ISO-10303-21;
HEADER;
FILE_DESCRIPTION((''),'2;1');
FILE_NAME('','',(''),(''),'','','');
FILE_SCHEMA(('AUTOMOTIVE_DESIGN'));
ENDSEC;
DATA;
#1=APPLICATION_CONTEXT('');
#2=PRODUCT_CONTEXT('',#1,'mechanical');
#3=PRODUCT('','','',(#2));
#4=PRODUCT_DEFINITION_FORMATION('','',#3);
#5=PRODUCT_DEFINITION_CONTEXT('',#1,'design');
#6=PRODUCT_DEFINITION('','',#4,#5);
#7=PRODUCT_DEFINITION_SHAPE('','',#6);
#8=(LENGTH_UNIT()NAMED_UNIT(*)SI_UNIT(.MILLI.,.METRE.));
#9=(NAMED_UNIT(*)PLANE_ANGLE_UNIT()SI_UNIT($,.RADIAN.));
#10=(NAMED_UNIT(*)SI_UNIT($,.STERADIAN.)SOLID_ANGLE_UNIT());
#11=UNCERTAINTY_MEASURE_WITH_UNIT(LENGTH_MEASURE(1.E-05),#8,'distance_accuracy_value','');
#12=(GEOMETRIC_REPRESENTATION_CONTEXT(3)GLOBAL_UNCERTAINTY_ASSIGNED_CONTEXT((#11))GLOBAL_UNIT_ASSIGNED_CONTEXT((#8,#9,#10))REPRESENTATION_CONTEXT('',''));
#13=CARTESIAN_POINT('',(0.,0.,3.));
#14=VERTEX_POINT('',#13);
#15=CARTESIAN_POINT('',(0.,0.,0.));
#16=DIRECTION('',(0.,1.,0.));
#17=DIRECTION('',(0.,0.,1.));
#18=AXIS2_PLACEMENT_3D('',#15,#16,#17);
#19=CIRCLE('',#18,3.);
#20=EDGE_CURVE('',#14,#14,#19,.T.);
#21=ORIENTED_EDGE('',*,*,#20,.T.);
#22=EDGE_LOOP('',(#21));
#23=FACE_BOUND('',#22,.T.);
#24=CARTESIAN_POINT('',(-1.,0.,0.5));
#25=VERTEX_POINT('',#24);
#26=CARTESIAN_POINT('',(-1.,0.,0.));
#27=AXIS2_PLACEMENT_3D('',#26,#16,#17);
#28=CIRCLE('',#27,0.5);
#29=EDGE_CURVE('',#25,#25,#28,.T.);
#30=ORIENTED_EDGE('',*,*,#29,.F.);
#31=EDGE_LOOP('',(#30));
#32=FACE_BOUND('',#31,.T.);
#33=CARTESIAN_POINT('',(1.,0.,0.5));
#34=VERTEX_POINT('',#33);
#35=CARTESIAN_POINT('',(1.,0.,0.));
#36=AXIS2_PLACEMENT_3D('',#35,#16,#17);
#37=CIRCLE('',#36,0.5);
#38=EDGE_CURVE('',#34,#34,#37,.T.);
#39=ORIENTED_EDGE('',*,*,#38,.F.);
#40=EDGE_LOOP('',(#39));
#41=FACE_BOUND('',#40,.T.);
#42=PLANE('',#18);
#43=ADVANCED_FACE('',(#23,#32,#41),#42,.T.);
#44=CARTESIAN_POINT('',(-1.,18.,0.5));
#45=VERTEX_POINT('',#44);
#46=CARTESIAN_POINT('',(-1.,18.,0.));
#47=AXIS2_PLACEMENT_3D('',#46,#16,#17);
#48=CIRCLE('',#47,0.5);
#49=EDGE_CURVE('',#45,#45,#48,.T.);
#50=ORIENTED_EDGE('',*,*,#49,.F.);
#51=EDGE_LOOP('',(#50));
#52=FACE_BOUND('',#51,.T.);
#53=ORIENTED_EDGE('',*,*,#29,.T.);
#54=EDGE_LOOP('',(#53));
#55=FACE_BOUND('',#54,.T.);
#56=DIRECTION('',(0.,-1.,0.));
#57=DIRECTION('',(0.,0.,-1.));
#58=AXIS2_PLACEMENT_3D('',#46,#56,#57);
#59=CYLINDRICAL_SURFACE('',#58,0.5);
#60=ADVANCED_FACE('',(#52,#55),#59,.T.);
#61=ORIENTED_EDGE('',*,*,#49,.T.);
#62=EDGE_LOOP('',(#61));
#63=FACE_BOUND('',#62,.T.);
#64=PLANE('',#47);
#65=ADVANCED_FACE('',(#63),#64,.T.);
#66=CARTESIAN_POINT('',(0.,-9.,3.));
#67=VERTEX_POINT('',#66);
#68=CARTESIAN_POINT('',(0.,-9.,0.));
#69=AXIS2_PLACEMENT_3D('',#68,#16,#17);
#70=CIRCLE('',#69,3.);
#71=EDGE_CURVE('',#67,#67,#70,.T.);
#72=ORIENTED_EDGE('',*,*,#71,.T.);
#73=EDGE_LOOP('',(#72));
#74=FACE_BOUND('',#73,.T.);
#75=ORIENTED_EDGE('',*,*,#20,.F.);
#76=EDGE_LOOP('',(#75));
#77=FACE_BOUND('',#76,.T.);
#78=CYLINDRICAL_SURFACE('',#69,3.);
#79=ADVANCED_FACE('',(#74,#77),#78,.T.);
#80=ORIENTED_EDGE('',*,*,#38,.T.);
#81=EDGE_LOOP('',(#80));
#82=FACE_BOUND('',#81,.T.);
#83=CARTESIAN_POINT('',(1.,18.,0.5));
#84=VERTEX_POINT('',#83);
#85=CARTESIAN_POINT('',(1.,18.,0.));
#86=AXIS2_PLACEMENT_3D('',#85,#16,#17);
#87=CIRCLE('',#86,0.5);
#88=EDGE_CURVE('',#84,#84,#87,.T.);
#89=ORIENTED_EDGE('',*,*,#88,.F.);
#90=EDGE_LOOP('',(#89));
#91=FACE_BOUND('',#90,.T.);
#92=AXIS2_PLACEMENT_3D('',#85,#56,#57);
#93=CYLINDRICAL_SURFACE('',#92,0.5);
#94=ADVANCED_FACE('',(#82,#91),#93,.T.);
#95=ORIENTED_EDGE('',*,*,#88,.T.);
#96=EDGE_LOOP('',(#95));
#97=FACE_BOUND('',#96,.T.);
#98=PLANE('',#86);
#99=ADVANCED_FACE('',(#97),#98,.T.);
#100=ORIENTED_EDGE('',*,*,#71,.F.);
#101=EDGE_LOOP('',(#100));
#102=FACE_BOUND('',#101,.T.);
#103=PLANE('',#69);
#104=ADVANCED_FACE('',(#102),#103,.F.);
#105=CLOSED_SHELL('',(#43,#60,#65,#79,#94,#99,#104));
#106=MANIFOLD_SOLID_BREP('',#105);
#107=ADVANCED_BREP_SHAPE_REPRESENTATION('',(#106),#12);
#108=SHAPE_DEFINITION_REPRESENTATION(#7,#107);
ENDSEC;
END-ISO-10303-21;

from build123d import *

# Parameters (mm, degrees)
SKETCH1_R  = 3
HEAD_DEPTH = 9
SKETCH2_R  = 0.5
PINS_DEPTH = 18


with BuildPart() as part:
    # Sketch1 → Head (new body)
    with BuildSketch(Plane(origin=(0, 0, 0), x_dir=(1, 0, 0), z_dir=(0, 1, 0))):
        with Locations(Location((0, 0, 0), (0, 0, 270))):
            Circle(SKETCH1_R)
    extrude(amount=-HEAD_DEPTH)

    # Sketch2 → Pins (add)
    with BuildSketch(Plane(origin=(0, 0, 0), x_dir=(1, 0, 0), z_dir=(0, 1, 0))):
        with Locations(Location((-1, 0, 0), (0, 0, 270))):
            Circle(SKETCH2_R)
        with Locations(Location((1, 0, 0), (0, 0, 270))):
            Circle(SKETCH2_R)
    extrude(amount=PINS_DEPTH)


solid = part.part
